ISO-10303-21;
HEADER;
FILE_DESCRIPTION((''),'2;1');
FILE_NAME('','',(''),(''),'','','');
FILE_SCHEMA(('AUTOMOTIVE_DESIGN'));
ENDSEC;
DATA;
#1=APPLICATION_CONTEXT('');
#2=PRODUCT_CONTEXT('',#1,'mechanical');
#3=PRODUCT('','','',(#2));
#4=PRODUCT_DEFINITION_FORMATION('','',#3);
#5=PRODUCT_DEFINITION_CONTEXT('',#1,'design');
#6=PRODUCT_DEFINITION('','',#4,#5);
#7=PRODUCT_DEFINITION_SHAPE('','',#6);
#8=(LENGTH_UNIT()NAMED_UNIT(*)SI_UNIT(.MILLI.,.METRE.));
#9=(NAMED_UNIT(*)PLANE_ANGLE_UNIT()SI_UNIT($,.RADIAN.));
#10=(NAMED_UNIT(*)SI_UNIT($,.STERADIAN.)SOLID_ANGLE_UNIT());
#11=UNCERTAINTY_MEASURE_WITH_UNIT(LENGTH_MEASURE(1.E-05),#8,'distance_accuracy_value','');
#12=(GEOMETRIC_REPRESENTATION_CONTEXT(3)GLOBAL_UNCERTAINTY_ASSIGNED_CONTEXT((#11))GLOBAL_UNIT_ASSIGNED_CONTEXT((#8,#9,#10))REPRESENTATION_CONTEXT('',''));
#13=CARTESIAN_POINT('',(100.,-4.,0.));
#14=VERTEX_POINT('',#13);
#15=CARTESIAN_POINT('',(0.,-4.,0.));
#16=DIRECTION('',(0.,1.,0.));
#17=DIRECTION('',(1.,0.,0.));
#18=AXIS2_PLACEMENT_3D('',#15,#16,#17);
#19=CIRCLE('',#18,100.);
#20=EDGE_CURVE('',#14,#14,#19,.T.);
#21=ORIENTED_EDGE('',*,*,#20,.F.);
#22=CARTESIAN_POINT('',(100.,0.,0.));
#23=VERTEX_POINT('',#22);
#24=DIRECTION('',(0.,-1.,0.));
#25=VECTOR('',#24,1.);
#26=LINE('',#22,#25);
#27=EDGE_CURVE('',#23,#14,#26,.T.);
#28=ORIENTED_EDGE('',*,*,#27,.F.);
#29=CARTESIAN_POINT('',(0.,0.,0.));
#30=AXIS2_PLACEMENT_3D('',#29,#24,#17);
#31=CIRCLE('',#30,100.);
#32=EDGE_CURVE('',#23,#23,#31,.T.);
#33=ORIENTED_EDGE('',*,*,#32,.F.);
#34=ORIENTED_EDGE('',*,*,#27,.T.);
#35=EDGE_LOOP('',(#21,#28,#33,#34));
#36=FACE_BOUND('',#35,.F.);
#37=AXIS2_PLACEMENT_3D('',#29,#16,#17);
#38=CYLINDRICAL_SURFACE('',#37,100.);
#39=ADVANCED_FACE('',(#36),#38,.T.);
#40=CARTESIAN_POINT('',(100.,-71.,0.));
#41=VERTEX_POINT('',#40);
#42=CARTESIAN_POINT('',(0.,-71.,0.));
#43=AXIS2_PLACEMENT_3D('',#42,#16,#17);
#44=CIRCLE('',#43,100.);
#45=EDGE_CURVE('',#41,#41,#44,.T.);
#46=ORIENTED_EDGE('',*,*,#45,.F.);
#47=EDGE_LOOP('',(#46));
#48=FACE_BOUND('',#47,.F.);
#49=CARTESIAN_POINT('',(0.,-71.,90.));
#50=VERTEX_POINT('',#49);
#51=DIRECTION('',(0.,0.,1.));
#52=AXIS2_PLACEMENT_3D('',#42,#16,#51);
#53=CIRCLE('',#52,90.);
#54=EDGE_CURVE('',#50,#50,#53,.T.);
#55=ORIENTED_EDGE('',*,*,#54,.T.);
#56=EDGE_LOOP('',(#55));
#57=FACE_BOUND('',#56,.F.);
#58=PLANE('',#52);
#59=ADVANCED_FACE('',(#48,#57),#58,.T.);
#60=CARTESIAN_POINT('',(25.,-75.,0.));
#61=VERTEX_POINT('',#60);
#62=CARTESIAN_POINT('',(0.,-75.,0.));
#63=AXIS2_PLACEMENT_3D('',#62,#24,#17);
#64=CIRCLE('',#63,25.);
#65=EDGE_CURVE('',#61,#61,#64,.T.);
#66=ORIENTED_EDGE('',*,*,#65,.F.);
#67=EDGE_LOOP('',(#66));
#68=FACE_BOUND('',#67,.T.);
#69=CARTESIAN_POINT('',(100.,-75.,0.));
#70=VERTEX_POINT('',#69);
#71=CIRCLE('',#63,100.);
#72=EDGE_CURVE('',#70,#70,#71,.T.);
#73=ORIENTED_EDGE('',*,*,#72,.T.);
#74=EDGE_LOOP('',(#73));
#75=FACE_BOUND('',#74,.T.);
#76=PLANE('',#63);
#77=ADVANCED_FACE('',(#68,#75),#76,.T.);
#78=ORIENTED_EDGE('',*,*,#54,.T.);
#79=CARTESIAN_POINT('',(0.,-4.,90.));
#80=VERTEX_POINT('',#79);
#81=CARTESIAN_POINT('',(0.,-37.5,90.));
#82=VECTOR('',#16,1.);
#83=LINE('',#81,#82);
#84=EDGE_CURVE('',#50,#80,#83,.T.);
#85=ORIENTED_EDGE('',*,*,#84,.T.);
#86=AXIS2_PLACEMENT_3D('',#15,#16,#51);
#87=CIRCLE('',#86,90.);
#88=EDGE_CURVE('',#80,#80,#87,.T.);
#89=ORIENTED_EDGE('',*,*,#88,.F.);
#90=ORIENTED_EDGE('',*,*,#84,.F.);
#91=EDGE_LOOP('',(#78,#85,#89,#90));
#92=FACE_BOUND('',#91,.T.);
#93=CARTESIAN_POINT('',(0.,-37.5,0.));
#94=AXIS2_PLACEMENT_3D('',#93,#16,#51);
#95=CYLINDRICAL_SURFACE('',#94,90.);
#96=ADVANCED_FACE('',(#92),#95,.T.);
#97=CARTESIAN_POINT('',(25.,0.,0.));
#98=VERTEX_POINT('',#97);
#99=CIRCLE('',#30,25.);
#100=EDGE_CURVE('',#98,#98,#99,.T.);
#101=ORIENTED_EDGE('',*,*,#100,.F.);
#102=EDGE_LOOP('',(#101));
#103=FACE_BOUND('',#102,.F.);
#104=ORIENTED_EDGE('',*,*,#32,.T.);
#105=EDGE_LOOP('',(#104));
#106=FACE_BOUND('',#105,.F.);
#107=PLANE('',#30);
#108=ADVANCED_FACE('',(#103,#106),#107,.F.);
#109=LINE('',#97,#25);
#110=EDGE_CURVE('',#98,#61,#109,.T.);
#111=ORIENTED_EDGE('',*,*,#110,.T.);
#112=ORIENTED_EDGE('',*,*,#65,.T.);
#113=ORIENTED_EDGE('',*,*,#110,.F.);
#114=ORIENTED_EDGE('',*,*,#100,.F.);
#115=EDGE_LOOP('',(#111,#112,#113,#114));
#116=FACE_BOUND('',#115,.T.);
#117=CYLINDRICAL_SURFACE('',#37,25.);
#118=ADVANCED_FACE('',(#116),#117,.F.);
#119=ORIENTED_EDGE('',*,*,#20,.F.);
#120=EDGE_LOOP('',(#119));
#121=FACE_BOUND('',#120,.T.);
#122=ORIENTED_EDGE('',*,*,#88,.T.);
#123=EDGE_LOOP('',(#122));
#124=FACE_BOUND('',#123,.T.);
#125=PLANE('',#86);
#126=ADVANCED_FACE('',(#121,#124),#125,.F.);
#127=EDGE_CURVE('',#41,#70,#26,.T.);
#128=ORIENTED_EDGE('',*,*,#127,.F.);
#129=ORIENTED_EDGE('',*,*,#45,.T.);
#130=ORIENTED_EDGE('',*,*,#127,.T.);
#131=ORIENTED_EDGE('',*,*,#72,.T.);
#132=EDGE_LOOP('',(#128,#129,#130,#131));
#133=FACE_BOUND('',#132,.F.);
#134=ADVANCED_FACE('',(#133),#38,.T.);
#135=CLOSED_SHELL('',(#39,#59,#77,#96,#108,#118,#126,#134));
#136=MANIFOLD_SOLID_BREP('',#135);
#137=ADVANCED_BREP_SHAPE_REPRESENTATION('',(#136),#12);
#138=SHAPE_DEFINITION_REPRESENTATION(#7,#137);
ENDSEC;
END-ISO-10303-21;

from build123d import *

# Parameters (mm, degrees)
F0_R     = 100
F0_R_2   = 25
F1_DEPTH = 75
F2_W     = 67
F2_H     = 10


with BuildPart() as f1:
    # F0 (on Front) → F1 (new body)
    with BuildSketch(Plane.XZ):
        Circle(F0_R)
        Circle(F0_R_2, mode=Mode.SUBTRACT)
    extrude(amount=F1_DEPTH)

    # F2 (on Right) → F3 (revolve, cut)
    with BuildSketch(Plane.YZ):
        with Locations((-37.5, 95)):
            Rectangle(F2_W, F2_H)
    revolve(axis=Axis((0, -37.5, 0), (0, 1, 0)), mode=Mode.SUBTRACT)


solid = f1.part
